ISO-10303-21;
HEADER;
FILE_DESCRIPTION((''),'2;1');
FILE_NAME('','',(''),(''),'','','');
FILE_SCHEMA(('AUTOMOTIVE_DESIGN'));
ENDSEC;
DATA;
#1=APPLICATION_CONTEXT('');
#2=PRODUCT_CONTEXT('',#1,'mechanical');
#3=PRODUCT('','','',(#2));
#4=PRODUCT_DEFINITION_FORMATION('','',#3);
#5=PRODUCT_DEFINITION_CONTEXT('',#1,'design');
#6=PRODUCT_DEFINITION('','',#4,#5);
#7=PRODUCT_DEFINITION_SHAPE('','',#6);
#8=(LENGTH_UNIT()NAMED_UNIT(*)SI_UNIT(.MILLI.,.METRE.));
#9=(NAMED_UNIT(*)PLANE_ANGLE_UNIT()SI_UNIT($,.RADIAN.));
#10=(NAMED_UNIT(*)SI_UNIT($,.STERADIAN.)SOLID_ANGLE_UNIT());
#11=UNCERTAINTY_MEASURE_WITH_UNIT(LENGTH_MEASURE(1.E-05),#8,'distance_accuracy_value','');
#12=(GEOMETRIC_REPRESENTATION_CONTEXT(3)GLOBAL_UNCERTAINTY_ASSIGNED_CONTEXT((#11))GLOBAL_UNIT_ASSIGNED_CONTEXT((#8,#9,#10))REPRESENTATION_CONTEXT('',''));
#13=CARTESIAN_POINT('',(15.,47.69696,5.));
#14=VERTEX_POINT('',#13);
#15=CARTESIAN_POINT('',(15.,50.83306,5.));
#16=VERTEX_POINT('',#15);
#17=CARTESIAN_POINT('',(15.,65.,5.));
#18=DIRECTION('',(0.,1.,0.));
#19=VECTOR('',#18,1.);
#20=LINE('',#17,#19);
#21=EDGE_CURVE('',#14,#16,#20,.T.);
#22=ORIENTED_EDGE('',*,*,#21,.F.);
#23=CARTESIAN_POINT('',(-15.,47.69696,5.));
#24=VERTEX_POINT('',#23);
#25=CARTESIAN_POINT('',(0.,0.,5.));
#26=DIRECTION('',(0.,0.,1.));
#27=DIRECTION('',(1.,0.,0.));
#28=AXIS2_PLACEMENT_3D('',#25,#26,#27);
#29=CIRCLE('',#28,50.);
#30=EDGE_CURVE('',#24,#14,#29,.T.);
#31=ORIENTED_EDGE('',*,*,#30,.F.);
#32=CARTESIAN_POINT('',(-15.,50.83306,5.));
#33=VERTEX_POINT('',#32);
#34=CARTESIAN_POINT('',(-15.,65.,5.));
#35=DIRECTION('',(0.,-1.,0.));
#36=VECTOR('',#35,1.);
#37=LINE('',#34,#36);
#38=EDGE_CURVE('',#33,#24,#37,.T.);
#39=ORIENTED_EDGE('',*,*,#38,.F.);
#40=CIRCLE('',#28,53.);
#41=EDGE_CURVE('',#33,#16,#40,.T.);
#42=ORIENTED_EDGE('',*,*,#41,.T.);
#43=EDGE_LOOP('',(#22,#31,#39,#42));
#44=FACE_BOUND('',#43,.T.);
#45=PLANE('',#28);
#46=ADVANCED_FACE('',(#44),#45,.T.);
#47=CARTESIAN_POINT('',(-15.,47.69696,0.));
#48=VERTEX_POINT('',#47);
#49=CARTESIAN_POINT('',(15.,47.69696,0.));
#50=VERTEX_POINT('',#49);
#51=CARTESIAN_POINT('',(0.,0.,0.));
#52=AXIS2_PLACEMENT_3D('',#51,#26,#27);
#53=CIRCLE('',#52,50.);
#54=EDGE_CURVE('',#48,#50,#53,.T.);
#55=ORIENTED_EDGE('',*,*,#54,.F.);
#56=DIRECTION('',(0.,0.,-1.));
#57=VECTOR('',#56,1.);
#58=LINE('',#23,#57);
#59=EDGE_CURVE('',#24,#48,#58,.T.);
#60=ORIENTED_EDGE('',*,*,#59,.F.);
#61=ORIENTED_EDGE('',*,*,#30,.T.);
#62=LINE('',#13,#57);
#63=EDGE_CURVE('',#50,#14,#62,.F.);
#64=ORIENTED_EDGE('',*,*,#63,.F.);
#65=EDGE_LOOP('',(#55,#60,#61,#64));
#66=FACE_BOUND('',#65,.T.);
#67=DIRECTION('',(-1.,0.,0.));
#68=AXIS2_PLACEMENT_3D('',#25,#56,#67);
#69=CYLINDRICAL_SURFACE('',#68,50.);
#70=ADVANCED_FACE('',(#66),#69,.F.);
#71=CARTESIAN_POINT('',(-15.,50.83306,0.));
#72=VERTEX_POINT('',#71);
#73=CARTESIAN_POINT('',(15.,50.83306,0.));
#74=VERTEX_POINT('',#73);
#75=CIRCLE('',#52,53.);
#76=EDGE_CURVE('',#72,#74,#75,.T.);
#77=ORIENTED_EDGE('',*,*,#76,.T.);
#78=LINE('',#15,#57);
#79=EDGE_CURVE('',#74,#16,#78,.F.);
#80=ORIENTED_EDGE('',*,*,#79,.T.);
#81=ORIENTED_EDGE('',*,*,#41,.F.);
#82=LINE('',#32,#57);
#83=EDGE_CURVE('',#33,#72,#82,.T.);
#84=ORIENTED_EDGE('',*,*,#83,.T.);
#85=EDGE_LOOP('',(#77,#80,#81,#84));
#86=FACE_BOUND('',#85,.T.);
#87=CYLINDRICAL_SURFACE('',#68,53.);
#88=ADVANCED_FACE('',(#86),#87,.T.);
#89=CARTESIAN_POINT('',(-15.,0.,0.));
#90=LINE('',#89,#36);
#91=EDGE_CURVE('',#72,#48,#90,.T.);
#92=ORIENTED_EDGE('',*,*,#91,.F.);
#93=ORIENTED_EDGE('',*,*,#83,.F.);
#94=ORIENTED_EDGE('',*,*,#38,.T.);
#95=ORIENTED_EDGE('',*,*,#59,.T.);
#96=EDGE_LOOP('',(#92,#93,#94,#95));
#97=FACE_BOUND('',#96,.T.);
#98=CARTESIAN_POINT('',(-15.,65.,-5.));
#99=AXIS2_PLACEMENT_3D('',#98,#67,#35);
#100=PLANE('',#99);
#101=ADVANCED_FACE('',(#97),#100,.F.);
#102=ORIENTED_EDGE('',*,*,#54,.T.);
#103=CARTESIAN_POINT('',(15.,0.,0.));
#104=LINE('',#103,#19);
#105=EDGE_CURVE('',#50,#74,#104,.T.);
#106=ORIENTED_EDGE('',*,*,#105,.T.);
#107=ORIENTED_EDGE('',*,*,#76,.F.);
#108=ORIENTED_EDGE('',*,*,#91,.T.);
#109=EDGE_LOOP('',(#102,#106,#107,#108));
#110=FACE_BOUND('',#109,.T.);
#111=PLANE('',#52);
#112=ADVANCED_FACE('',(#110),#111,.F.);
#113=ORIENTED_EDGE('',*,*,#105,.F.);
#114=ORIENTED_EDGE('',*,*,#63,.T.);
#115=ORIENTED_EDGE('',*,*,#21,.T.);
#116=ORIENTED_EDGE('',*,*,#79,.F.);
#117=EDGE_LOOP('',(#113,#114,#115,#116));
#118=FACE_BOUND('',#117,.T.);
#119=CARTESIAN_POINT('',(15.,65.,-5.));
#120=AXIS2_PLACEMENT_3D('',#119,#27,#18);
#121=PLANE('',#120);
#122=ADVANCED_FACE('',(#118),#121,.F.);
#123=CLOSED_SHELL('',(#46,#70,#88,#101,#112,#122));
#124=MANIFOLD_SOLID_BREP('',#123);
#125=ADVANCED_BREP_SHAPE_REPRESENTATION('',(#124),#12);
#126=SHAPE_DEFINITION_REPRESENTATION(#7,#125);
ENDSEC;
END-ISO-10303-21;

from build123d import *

# Parameters (mm, degrees)
SKETCH_1_R          = 53
SKETCH_1_R_2        = 50
EXTRUDE_1_DEPTH     = 5
SKETCH_2_W          = 30
SKETCH_2_H          = 30
CUT_EXTRUDE_1_DEPTH = 10


with BuildPart() as part:
    # 草图1 → 拉伸-薄壁1 (new body)
    with BuildSketch(Plane.XY):
        Circle(SKETCH_1_R)
        Circle(SKETCH_1_R_2, mode=Mode.SUBTRACT)
    extrude(amount=EXTRUDE_1_DEPTH)

    # 草图2 → 切除-拉伸1 (cut)
    with BuildSketch(Plane.XY.offset(5)):
        with Locations((0, 50)):
            Rectangle(SKETCH_2_W, SKETCH_2_H)
    extrude(amount=-CUT_EXTRUDE_1_DEPTH, mode=Mode.SUBTRACT)


solid = part.part
